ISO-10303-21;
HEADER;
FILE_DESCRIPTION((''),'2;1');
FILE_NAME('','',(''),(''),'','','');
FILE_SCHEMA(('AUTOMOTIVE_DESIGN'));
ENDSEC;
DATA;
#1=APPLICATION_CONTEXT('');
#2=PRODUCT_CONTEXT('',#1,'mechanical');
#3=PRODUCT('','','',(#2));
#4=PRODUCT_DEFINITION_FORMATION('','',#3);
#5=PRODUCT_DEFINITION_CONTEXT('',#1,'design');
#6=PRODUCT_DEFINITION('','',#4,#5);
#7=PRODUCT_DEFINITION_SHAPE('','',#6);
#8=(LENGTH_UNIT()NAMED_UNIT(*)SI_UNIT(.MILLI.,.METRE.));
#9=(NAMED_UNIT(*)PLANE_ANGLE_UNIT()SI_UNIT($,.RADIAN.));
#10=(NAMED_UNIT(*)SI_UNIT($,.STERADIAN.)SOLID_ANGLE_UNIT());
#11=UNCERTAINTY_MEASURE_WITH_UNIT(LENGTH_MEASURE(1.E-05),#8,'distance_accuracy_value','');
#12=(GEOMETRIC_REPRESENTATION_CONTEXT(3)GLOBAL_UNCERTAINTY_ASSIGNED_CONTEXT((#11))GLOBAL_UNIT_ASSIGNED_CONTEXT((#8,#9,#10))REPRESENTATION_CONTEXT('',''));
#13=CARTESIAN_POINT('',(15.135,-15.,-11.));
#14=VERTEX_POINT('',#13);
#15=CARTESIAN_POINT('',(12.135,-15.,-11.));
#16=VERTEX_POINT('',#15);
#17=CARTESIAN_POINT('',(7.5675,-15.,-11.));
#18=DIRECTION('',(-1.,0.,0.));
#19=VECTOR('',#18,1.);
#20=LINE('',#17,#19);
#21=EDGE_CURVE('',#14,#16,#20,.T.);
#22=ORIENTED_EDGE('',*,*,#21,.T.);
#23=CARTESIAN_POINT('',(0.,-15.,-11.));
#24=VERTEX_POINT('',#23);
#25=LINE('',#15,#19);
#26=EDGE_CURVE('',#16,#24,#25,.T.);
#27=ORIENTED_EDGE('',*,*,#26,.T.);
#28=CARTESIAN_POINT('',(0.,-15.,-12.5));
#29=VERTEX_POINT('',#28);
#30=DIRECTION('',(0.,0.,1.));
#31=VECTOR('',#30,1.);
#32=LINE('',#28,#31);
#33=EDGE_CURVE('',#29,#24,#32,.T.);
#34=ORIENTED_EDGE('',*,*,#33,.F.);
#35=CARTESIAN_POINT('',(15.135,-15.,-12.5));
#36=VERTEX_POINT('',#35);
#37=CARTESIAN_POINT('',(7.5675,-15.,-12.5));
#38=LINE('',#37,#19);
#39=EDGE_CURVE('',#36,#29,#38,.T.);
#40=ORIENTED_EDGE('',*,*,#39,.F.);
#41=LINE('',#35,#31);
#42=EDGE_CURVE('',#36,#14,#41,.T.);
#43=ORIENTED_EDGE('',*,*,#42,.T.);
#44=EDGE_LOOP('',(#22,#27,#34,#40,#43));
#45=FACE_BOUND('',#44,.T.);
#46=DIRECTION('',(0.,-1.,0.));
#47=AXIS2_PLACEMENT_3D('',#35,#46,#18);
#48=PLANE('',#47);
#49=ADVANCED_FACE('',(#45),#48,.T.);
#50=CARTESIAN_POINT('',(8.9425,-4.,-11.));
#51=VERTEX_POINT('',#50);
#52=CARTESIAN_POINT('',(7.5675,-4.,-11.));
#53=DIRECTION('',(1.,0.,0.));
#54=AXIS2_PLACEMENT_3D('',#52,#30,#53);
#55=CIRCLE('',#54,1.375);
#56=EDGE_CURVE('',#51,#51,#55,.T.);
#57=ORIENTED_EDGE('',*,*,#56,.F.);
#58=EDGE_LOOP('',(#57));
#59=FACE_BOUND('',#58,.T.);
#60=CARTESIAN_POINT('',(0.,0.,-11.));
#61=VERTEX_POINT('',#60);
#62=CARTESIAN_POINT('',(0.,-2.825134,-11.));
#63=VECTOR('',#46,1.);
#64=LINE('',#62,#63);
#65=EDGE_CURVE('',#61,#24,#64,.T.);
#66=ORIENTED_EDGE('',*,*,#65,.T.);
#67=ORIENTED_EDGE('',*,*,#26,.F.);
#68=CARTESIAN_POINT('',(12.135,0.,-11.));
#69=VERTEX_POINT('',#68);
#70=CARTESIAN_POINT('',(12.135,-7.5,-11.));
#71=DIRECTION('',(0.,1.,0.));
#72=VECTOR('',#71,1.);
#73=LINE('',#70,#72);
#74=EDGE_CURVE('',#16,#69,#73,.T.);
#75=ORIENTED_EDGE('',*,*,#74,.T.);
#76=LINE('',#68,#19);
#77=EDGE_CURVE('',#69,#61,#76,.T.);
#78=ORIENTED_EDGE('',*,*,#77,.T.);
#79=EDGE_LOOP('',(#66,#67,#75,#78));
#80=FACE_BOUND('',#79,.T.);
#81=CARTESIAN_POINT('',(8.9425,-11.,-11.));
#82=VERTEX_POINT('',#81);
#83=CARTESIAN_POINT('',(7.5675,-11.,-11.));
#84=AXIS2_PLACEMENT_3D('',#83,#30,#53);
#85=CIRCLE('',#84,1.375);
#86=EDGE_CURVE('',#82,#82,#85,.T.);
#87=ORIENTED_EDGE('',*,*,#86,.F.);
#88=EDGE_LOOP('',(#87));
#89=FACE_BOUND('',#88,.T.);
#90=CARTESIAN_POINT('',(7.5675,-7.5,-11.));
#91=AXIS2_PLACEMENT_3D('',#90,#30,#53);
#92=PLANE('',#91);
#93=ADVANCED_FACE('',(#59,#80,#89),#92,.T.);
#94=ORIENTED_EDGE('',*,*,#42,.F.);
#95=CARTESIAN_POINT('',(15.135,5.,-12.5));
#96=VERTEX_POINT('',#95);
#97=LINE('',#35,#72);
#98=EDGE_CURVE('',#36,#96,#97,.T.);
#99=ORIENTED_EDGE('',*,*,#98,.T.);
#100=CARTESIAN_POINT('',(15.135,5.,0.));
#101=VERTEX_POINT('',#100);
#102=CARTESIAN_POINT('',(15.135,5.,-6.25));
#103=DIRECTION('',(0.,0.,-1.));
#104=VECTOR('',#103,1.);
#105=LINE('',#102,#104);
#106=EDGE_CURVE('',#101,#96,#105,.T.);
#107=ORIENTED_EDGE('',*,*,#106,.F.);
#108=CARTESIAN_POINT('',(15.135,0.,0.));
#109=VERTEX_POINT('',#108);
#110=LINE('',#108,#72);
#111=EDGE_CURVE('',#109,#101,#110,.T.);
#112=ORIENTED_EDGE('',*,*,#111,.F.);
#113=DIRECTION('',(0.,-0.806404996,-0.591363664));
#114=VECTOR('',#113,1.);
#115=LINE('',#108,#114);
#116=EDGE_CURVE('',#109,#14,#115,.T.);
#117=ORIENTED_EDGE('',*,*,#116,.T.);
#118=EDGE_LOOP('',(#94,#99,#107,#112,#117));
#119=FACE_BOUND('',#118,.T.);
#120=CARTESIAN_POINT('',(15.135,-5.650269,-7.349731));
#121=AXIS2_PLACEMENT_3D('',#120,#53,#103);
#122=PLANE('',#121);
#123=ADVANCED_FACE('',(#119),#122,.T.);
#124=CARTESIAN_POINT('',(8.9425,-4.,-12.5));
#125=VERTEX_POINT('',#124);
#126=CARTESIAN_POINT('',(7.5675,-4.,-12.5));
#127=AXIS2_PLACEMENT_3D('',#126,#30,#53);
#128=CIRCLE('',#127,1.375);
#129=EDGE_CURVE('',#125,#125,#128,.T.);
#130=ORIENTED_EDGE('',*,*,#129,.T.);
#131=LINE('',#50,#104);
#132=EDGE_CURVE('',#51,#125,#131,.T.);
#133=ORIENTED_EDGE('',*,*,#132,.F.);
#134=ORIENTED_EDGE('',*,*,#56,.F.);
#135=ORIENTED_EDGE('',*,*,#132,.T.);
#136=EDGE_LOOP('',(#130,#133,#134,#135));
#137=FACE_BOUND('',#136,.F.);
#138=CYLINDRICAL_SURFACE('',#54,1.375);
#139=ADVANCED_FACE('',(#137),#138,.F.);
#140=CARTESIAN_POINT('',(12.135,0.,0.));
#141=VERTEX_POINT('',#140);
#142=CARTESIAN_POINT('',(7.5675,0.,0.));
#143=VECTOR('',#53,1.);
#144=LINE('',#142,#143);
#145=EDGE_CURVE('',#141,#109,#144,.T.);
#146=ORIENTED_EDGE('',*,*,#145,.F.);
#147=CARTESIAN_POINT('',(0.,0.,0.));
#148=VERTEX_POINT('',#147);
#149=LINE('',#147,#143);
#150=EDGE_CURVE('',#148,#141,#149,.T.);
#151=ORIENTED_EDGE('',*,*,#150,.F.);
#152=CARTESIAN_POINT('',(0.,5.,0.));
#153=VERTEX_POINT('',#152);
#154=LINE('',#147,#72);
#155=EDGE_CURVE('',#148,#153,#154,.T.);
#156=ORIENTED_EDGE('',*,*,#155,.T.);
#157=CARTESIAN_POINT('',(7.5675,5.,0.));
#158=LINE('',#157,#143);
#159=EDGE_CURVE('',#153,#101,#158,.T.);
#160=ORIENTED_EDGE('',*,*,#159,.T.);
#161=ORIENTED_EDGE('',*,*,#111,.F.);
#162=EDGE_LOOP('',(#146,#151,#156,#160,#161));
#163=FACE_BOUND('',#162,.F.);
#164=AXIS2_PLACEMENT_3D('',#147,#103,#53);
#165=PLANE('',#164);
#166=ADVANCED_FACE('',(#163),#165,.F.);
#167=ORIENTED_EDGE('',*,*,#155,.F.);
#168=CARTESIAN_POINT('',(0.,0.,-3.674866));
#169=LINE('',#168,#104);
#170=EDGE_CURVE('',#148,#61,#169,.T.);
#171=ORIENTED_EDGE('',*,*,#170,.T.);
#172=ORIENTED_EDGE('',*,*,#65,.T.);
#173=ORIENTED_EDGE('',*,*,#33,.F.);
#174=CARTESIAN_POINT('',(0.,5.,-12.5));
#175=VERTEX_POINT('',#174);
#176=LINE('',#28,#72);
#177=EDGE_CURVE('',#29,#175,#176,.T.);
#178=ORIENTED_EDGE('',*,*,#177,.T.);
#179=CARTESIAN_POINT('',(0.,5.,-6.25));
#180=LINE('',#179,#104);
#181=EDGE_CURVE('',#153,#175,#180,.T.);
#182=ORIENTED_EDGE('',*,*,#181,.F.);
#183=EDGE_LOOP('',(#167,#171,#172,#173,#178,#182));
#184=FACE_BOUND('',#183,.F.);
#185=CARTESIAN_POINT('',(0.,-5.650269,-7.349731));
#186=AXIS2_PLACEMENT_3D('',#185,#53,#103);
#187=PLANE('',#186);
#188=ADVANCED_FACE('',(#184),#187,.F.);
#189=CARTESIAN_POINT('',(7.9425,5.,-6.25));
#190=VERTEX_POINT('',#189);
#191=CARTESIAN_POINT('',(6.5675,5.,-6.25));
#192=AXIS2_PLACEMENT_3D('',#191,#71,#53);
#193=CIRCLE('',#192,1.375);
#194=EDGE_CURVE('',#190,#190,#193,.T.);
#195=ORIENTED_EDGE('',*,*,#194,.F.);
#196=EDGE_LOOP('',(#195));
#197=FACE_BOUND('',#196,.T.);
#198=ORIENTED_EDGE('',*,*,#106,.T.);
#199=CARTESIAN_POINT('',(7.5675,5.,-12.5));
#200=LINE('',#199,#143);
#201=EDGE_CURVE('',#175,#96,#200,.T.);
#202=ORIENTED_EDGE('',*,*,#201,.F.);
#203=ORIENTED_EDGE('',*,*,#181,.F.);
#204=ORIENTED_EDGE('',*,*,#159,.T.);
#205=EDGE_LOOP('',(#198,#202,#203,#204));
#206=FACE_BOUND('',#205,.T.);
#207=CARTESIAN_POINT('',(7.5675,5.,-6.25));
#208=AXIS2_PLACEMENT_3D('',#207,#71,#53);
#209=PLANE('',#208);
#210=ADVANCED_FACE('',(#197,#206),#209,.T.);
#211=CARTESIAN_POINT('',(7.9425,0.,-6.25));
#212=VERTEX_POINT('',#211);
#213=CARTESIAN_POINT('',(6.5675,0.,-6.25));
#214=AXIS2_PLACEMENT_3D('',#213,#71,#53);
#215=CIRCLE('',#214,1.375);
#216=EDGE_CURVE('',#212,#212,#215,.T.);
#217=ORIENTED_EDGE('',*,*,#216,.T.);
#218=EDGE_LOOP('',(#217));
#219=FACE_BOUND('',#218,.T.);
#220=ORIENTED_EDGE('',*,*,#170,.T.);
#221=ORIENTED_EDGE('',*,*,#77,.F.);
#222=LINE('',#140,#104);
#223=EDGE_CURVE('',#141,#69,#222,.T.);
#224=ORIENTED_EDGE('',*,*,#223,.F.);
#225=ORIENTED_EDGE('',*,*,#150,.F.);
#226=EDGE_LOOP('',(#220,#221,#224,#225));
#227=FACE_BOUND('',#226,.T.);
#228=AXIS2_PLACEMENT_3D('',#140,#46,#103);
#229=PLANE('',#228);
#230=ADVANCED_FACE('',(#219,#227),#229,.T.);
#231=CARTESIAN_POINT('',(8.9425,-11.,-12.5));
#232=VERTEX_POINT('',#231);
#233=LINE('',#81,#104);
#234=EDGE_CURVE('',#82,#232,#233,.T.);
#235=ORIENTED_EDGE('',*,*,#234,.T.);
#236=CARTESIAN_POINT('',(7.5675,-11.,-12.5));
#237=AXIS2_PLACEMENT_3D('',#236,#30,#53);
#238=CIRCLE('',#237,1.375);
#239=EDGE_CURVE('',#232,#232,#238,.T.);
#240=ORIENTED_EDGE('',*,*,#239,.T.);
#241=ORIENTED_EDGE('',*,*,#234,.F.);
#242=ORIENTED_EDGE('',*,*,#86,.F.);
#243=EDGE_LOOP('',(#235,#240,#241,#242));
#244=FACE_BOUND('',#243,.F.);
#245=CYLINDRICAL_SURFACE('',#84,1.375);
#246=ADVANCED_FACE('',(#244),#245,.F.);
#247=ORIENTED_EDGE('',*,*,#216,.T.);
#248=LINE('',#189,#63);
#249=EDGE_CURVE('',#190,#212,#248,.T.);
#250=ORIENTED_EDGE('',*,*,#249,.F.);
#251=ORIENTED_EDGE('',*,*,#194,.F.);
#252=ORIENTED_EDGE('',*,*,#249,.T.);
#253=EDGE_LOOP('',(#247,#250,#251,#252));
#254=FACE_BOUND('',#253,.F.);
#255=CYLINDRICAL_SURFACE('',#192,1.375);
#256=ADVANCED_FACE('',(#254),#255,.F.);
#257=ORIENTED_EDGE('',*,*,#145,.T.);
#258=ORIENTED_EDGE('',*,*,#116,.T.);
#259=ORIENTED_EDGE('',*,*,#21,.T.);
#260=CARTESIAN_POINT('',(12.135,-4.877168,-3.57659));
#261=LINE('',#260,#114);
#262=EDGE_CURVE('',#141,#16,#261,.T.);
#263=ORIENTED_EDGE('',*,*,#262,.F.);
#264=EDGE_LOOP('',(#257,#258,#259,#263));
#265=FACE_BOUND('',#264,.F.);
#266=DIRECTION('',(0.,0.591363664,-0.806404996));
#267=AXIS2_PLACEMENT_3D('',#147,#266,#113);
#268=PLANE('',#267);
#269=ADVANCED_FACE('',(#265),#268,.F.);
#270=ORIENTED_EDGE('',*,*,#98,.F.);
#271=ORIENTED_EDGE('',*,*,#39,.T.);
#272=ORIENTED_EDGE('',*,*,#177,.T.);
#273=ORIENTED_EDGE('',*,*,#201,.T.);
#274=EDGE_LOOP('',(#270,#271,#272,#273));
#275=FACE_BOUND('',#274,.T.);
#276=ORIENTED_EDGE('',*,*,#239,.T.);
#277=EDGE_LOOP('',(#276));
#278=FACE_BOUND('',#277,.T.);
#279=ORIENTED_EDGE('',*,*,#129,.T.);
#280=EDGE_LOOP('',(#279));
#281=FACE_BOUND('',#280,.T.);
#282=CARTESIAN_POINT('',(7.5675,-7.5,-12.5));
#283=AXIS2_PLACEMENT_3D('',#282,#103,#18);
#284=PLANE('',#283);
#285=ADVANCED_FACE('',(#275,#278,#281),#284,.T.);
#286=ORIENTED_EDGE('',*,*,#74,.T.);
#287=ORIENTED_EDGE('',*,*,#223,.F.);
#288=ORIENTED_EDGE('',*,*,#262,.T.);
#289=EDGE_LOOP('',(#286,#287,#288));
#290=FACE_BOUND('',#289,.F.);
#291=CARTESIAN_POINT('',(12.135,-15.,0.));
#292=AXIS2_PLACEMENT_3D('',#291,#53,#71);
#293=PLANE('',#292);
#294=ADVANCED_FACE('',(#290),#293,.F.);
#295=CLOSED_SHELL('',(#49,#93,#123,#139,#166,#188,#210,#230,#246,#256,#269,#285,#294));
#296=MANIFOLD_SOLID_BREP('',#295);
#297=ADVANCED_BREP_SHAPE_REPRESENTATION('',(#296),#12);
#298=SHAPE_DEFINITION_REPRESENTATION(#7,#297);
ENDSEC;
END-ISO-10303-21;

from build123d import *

# Parameters (mm, degrees)
SKETCH1_W           = 15.135
SKETCH1_H           = 12.5
BASE_DEPTH          = 5
SKETCH2_W           = 15.135
SKETCH2_H           = 15
BOSS_EXTRUDE2_DEPTH = 1.5
BOSS_EXTRUDE3_DEPTH = 15.135
SKETCH4_W           = 9.135
SKETCH4_H           = 15
CUT_EXTRUDE1_DEPTH  = 11
SKETCH5_R           = 1.375
CUT_EXTRUDE2_DEPTH  = 2
SKETCH6_R           = 1.375
CUT_EXTRUDE3_DEPTH  = 5.75
CUT_EXTRUDE4_DEPTH  = 25.485172511


with BuildPart() as part:
    # Sketch1 → base (new body)
    with BuildSketch(Plane(origin=(0, 0, 0), x_dir=(1, 0, 0), z_dir=(0, 1, 0))):
        with Locations((7.5675, 6.25)):
            Rectangle(SKETCH1_W, SKETCH1_H)
    extrude(amount=BASE_DEPTH)

    # Sketch2 → Boss-Extrude2 (add)
    with BuildSketch(Plane(origin=(0, 0, -12.5), x_dir=(-1, 0, 0), z_dir=(0, 0, -1))):
        with Locations((-7.5675, -7.5)):
            Rectangle(SKETCH2_W, SKETCH2_H)
    extrude(amount=-BOSS_EXTRUDE2_DEPTH)

    # Sketch3 → Boss-Extrude3 (add)
    with BuildSketch(Plane.ZY):
        Polygon((0, 0), (-11, -15), (-11, 0), align=None)
    extrude(amount=-BOSS_EXTRUDE3_DEPTH)

    # Sketch4 → Cut-Extrude1 (cut)
    with BuildSketch(Plane.XY):
        with Locations((7.5675, -7.5)):
            Rectangle(SKETCH4_W, SKETCH4_H)
    extrude(amount=-CUT_EXTRUDE1_DEPTH, mode=Mode.SUBTRACT)

    # Sketch5 → Cut-Extrude2 (cut)
    with BuildSketch(Plane.XY.offset(-11)):
        with Locations((7.5675, -4)):
            Circle(SKETCH5_R)
        with Locations((7.5675, -11)):
            Circle(SKETCH5_R)
    extrude(amount=-CUT_EXTRUDE2_DEPTH, mode=Mode.SUBTRACT)

    # Sketch6 → Cut-Extrude3 (cut)
    with BuildSketch(Plane(origin=(0, 5, 0), x_dir=(1, 0, 0), z_dir=(0, 1, 0))):
        with Locations((6.5675, 6.25)):
            Circle(SKETCH6_R)
    extrude(amount=-CUT_EXTRUDE3_DEPTH, mode=Mode.SUBTRACT)

    # Sketch7 → Cut-Extrude4 (cut)
    with BuildSketch(Plane.ZY.offset(-12.135)):
        Polygon((-11, -15), (0, 0), (-11, 0), align=None)
    extrude(amount=CUT_EXTRUDE4_DEPTH, mode=Mode.SUBTRACT)


solid = part.part
